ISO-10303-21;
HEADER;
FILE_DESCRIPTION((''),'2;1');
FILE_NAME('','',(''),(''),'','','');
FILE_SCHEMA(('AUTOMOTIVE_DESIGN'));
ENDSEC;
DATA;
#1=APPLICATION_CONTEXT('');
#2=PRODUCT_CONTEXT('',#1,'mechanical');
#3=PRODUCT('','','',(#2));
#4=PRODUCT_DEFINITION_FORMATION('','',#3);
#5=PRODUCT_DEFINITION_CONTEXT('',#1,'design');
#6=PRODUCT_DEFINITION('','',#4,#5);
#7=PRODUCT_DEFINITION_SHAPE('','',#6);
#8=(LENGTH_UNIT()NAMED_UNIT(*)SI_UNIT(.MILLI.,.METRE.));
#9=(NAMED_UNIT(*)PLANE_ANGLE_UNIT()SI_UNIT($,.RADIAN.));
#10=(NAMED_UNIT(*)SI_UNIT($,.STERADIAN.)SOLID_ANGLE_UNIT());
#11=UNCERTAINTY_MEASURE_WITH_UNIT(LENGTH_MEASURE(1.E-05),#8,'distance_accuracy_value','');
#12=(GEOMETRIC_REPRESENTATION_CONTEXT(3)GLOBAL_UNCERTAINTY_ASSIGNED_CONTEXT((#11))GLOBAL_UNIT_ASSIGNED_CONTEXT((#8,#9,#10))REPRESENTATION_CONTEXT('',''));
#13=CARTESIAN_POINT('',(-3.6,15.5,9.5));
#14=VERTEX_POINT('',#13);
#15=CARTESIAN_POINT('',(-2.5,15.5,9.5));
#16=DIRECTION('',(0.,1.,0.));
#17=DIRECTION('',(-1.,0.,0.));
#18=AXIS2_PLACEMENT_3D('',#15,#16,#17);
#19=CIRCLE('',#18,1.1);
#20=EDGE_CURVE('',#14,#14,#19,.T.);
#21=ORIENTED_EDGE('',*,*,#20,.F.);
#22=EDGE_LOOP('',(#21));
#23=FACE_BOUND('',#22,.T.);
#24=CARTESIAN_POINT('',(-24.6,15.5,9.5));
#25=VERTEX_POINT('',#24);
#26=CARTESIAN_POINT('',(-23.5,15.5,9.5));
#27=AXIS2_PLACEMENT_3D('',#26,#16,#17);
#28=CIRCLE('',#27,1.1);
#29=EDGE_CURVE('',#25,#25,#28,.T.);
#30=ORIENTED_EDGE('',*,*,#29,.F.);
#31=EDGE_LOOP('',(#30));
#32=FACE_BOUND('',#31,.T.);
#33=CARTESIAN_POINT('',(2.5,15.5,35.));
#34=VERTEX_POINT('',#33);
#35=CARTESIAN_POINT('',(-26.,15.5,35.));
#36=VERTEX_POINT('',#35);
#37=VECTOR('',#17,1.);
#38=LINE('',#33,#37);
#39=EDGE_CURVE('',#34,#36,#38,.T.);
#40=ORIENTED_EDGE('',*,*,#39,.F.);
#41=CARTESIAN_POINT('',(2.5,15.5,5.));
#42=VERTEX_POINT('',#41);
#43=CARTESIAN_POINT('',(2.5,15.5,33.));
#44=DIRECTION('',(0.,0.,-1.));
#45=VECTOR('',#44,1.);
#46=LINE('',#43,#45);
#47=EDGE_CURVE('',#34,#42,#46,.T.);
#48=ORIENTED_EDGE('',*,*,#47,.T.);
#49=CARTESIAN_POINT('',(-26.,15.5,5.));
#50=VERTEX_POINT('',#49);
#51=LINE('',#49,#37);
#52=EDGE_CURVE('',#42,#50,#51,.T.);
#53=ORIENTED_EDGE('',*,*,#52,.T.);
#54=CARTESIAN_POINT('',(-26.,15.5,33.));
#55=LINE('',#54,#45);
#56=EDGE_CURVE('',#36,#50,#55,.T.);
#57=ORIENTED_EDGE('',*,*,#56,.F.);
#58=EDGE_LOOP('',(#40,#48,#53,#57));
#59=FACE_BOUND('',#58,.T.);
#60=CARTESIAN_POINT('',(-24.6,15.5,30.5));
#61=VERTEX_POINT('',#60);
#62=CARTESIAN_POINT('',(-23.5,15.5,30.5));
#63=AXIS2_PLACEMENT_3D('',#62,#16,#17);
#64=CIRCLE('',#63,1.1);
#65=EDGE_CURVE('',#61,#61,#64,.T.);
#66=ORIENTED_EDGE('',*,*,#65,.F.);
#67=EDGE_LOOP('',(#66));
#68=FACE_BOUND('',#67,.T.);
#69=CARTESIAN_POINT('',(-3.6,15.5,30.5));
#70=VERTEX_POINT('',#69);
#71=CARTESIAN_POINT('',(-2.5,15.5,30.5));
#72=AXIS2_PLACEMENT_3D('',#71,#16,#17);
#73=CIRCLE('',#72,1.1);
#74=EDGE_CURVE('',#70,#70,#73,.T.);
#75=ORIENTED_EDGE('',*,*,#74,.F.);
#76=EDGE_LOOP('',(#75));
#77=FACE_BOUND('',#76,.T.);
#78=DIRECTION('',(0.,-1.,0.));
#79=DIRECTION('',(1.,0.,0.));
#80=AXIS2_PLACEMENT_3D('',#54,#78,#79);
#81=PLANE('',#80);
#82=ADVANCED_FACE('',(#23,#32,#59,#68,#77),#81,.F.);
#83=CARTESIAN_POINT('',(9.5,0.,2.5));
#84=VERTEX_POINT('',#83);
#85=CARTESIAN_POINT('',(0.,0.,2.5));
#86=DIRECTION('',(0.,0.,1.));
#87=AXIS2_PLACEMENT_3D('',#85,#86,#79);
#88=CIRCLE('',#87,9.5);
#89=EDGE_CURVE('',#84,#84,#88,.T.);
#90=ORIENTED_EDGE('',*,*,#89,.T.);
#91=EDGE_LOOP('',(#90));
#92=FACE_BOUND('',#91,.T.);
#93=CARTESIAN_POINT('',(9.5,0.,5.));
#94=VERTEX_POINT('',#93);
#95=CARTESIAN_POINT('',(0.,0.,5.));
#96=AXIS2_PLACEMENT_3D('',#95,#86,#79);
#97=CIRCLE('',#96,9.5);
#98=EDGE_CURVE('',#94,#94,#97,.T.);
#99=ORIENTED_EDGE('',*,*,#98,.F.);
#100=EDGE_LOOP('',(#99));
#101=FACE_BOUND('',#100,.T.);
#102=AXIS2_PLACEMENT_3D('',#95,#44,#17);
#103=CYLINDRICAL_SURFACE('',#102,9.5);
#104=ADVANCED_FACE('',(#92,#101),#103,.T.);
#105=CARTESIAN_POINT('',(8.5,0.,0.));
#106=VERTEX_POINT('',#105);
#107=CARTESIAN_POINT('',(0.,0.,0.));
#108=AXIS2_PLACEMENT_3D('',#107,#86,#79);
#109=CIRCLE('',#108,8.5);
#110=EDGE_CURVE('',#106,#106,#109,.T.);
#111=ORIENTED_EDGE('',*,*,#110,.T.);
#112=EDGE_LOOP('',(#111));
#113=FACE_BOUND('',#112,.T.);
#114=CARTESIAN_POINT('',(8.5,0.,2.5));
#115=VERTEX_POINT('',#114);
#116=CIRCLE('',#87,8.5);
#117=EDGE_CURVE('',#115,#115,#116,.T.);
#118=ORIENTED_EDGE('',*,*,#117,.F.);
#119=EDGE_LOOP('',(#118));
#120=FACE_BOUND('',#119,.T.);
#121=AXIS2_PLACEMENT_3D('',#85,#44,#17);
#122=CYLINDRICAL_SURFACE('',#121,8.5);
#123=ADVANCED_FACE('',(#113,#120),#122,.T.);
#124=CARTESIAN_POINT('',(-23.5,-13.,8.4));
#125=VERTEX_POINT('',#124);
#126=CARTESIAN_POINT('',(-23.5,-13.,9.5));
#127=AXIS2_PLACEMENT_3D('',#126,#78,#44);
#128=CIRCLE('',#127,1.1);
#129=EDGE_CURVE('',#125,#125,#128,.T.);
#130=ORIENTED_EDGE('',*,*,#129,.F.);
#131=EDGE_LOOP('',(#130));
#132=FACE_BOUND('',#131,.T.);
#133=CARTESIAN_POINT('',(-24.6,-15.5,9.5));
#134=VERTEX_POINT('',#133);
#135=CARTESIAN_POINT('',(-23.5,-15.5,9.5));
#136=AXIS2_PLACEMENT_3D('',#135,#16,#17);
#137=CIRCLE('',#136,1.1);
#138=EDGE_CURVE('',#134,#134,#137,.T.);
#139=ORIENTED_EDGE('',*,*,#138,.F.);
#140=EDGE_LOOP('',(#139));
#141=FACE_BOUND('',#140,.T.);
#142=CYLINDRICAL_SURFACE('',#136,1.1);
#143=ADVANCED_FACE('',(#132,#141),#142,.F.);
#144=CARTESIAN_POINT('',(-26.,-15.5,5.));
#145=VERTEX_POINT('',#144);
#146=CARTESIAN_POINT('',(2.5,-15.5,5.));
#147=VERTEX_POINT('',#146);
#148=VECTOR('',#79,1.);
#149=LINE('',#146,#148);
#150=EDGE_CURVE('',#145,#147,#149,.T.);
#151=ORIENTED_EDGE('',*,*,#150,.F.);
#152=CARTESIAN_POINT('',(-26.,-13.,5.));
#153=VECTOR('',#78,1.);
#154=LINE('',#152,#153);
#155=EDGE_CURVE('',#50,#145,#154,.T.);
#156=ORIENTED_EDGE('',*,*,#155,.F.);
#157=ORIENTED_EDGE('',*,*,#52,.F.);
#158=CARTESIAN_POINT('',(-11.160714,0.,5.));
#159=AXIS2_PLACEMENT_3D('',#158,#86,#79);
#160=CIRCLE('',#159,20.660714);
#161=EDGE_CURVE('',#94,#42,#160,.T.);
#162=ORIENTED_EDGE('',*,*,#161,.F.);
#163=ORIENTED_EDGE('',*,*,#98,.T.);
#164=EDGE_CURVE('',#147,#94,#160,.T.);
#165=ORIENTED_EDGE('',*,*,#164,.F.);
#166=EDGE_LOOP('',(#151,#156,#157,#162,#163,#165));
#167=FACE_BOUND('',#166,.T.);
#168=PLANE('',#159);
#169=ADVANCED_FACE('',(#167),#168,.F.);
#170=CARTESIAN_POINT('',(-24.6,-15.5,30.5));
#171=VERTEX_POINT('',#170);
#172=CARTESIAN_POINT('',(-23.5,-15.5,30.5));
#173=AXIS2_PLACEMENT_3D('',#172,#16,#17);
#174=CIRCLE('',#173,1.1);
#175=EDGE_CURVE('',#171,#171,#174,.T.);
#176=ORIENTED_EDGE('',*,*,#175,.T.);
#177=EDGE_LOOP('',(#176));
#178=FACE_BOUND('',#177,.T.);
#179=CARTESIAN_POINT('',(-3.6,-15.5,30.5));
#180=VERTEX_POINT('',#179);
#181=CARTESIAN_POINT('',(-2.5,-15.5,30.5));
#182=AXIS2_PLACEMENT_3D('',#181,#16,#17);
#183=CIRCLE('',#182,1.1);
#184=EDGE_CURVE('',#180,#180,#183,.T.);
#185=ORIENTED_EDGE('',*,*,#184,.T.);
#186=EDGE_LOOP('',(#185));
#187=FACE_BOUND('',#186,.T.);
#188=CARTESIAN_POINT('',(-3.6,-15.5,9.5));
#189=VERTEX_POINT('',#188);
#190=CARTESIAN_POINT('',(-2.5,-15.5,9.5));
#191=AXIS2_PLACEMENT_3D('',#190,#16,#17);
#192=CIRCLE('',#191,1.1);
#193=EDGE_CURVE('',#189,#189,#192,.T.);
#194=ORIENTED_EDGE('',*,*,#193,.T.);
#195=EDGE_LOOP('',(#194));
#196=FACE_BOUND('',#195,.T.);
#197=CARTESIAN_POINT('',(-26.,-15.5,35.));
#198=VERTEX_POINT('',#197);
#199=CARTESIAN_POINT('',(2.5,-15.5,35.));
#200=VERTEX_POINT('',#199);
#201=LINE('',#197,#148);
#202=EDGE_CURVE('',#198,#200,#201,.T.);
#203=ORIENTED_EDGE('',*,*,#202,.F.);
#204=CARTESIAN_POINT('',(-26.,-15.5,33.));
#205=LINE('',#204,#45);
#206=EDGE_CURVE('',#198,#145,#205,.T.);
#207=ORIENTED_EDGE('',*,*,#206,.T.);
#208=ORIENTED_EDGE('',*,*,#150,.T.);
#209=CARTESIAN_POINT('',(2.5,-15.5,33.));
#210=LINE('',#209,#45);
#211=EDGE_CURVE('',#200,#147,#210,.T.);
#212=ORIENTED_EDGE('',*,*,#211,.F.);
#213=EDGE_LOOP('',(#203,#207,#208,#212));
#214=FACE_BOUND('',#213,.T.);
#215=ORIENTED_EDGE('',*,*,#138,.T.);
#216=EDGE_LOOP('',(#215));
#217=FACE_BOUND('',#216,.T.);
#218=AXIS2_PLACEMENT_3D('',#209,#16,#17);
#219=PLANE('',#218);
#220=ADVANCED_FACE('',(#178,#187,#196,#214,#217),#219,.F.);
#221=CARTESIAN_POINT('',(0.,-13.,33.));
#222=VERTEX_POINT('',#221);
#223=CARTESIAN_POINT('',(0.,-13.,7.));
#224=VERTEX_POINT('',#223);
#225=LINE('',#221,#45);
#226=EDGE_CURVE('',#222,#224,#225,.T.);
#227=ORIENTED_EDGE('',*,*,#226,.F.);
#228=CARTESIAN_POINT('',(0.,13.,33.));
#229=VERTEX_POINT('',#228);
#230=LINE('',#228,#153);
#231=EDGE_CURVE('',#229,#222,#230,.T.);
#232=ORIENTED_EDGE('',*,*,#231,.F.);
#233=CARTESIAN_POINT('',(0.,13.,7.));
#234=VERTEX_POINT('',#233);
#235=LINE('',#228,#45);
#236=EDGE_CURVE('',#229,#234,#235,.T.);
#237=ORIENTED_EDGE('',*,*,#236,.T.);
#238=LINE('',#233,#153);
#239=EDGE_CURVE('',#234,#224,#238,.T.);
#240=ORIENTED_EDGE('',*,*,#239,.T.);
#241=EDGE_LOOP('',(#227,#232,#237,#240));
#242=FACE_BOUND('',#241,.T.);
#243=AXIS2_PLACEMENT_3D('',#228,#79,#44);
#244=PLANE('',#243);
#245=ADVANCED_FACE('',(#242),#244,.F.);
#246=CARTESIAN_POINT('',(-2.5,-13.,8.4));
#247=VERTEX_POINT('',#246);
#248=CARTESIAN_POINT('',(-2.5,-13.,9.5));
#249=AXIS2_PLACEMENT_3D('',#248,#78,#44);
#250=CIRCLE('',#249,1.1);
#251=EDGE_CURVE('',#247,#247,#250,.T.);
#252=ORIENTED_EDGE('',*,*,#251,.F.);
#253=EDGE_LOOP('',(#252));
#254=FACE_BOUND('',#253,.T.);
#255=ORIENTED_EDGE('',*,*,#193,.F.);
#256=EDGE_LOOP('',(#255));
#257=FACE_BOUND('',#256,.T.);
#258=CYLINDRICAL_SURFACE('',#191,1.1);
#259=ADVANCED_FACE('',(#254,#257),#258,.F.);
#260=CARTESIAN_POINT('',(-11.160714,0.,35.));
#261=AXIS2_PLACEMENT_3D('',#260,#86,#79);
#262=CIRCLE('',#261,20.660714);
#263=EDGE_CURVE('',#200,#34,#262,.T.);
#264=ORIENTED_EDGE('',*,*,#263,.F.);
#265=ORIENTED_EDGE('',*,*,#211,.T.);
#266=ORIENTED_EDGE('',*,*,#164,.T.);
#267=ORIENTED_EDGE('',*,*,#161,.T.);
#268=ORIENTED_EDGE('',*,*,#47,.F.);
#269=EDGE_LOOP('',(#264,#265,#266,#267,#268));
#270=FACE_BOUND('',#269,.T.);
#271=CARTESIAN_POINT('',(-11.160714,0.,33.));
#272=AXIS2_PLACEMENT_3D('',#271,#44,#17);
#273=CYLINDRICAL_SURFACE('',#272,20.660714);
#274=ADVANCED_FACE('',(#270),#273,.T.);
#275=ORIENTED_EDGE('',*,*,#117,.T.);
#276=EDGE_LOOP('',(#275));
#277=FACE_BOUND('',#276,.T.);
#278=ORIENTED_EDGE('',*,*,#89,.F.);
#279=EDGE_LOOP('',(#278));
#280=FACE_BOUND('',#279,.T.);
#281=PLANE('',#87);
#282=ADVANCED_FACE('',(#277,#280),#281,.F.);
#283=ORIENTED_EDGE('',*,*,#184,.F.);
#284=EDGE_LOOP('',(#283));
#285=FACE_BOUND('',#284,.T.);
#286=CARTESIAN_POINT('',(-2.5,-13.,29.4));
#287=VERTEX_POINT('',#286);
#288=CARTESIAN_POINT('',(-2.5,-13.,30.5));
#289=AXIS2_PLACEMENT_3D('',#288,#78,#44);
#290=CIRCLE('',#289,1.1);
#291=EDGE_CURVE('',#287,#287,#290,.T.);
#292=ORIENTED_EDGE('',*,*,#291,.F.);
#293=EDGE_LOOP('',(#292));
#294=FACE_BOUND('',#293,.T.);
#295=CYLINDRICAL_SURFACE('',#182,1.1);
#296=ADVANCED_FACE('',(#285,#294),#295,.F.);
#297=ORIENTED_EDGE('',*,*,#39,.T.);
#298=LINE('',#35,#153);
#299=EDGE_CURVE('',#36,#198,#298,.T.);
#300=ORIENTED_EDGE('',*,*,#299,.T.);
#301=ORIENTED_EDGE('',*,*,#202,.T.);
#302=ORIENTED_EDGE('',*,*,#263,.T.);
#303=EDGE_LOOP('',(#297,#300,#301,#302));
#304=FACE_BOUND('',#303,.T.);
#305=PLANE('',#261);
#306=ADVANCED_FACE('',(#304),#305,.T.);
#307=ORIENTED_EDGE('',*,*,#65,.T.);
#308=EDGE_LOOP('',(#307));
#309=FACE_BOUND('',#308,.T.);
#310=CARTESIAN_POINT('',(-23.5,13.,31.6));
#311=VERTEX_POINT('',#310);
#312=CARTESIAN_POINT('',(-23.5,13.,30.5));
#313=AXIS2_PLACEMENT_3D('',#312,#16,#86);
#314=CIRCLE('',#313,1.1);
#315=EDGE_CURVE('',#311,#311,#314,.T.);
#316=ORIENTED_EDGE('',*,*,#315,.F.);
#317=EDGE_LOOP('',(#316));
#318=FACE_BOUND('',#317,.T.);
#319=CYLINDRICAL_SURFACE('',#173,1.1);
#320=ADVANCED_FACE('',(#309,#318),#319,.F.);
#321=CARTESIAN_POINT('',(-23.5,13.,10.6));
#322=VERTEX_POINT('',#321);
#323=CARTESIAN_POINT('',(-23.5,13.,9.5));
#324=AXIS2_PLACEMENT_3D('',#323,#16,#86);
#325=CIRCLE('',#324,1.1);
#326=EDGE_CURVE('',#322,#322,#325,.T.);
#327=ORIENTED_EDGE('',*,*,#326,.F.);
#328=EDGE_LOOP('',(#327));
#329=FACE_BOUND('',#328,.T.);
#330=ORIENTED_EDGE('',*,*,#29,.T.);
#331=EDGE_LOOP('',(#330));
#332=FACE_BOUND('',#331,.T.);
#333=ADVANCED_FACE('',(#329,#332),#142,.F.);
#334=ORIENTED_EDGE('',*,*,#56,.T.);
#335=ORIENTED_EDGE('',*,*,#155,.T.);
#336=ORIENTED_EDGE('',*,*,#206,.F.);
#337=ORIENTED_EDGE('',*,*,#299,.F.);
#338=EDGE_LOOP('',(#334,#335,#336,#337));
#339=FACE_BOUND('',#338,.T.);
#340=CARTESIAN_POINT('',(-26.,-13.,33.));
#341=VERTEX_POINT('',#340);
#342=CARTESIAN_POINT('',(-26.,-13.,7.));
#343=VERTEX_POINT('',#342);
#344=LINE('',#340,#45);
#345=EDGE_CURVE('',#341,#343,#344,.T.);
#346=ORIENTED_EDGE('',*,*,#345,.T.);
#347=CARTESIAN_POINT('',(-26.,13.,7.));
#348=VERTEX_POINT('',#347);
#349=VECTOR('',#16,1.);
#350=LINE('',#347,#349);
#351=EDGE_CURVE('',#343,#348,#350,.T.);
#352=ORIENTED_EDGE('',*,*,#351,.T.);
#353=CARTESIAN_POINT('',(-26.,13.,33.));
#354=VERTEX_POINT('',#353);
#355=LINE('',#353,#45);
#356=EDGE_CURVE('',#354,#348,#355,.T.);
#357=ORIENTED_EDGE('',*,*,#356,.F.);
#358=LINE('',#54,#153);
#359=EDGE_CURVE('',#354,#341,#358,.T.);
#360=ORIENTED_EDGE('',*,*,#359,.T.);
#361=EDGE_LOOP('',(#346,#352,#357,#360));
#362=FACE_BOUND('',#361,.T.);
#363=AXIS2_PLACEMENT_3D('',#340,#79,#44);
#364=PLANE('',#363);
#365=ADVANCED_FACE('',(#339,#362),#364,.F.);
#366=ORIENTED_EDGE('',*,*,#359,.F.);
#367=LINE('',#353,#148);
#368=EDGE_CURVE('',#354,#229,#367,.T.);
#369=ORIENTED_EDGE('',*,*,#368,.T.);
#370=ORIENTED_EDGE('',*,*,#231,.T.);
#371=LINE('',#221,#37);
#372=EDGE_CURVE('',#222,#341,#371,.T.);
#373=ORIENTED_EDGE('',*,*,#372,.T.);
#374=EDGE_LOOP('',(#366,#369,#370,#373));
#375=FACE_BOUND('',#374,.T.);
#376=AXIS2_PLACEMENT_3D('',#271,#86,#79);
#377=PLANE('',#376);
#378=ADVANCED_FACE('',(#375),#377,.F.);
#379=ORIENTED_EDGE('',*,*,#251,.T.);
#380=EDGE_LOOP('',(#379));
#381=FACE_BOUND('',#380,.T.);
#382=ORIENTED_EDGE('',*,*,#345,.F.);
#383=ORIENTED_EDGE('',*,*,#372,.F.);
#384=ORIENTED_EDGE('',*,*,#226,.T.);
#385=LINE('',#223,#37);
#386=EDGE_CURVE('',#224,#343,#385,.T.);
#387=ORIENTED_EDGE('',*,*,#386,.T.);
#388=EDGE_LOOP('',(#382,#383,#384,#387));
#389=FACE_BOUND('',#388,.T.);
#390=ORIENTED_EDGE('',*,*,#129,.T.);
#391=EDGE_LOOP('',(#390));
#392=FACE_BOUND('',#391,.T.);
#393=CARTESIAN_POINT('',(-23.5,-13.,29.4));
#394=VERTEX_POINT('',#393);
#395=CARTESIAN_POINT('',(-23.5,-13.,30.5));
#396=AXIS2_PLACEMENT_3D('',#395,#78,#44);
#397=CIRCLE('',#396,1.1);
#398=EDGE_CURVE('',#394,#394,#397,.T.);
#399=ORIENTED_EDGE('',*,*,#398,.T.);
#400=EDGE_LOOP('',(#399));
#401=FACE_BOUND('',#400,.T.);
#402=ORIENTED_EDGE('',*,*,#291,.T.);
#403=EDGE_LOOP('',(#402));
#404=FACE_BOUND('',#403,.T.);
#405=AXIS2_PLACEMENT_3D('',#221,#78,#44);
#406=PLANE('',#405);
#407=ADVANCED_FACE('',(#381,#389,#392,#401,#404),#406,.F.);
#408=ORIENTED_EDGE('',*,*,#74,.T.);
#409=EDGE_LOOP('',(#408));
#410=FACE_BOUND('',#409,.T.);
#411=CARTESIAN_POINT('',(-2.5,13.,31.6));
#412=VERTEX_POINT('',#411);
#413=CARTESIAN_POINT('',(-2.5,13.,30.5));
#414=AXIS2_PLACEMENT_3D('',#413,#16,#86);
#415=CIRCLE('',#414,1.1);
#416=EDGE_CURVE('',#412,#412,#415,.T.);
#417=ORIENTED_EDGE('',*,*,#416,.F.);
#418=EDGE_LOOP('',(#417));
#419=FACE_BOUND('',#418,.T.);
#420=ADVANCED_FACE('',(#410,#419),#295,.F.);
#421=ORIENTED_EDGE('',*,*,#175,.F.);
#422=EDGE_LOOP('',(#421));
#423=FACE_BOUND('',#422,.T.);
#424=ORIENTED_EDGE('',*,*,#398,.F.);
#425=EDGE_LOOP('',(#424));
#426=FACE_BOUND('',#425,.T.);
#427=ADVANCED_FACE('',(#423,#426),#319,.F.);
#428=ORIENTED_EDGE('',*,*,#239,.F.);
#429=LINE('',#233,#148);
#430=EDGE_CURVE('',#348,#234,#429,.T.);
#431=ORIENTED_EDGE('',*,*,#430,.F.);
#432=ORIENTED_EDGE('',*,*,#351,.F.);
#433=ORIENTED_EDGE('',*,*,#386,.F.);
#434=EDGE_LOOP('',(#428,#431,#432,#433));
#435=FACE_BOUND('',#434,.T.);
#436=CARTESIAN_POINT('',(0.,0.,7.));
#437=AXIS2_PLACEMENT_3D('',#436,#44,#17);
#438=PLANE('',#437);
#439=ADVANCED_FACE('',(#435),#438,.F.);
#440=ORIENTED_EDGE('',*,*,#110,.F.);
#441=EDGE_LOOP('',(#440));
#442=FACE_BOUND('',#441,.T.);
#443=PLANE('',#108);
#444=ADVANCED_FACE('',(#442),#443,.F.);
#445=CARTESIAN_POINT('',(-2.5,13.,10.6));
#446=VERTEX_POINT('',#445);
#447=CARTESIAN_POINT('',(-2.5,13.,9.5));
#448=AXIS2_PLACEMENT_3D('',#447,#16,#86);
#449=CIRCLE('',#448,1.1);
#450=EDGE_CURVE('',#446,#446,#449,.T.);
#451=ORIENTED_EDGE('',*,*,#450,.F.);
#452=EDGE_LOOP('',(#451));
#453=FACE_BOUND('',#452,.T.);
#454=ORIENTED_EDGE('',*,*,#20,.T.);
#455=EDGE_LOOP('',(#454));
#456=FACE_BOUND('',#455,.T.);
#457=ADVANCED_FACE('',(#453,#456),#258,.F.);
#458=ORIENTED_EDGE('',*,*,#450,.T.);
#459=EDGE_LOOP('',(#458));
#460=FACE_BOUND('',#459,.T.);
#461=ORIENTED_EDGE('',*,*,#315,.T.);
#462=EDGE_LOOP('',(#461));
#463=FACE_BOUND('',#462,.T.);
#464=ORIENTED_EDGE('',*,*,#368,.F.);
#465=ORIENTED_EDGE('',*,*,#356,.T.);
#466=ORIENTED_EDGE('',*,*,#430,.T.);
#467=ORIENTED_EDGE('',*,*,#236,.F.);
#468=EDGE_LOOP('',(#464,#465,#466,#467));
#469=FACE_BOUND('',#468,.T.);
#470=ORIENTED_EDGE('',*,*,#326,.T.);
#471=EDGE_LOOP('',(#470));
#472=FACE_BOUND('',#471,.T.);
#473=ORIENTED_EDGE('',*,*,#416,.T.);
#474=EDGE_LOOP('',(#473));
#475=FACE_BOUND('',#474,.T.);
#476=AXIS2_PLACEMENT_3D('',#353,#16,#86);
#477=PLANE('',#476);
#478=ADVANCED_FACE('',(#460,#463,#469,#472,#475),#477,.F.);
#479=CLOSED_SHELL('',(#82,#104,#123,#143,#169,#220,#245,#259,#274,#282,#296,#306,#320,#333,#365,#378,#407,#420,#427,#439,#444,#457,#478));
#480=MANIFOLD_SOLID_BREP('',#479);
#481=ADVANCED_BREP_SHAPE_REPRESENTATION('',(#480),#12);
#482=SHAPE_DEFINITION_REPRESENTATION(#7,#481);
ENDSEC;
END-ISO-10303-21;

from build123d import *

# Parameters (mm, degrees)
SKETCH_1_R          = 8.5
EXTRUDE_1_DEPTH     = 2.5
SKETCH_2_R          = 9.5
EXTRUDE_2_DEPTH     = 2.5
EXTRUDE_3_DEPTH     = 28
SKETCH_4_W          = 26
SKETCH_4_H          = 26
EXTRUDE_5_DEPTH     = 2
EXTRUDE_6_DEPTH     = 2
SKETCH_7_R          = 1.1
CUT_EXTRUDE_1_DEPTH = 54.4976635


with BuildPart() as part:
    # ｽｹｯﾁ1 → ﾎﾞｽ - 押し出し1 (new body)
    with BuildSketch(Plane.XY):
        Circle(SKETCH_1_R)
    extrude(amount=EXTRUDE_1_DEPTH)

    # ｽｹｯﾁ2 → ﾎﾞｽ - 押し出し2 (add)
    with BuildSketch(Plane.XY.offset(2.5)):
        Circle(SKETCH_2_R)
    extrude(amount=EXTRUDE_2_DEPTH)

    # ｽｹｯﾁ3 → ﾎﾞｽ - 押し出し3 (add)
    with BuildSketch(Plane.XY.offset(5)):
        with BuildLine():
            Line((-26, 15.5), (2.5, 15.5))
            ThreePointArc((2.5, 15.5), (9.5, 0), (2.5, -15.5))
            Line((2.5, -15.5), (-26, -15.5))
            Line((-26, -15.5), (-26, -13))
            Line((-26, -13), (0, -13))
            Line((0, -13), (0, 13))
            Line((0, 13), (-26, 13))
            Line((-26, 13), (-26, 15.5))
        make_face()
    extrude(amount=EXTRUDE_3_DEPTH)

    # ｽｹｯﾁ4 → ﾎﾞｽ - 押し出し5 (add)
    with BuildSketch(Plane(origin=(0, 0, 5), x_dir=(-1, 0, 0), z_dir=(0, 0, -1))):
        with Locations((13, 0)):
            Rectangle(SKETCH_4_W, SKETCH_4_H)
    extrude(amount=-EXTRUDE_5_DEPTH)

    # ｽｹｯﾁ6 → ﾎﾞｽ - 押し出し6 (add)
    with BuildSketch(Plane.XY.offset(33)):
        with BuildLine():
            Line((-26, 15.5), (-26, -15.5))
            Line((-26, -15.5), (2.5, -15.5))
            ThreePointArc((2.5, -15.5), (9.5, 0), (2.5, 15.5))
            Line((2.5, 15.5), (-26, 15.5))
        make_face()
    extrude(amount=EXTRUDE_6_DEPTH)

    # ｽｹｯﾁ7 → ｶｯﾄ - 押し出し1 (cut, through all)
    with BuildSketch(Plane(origin=(0, 15.5, 0), x_dir=(1, 0, 0), z_dir=(0, 1, 0))):
        with Locations(Location((-23.5, -9.5, 0), (0, 0, 180))):
            Circle(SKETCH_7_R)
        with Locations(Location((-2.5, -9.5, 0), (0, 0, 180))):
            Circle(SKETCH_7_R)
        with Locations(Location((-2.5, -30.5, 0), (0, 0, 180))):
            Circle(SKETCH_7_R)
        with Locations(Location((-23.5, -30.5, 0), (0, 0, 180))):
            Circle(SKETCH_7_R)
    extrude(amount=-CUT_EXTRUDE_1_DEPTH, mode=Mode.SUBTRACT)


solid = part.part
